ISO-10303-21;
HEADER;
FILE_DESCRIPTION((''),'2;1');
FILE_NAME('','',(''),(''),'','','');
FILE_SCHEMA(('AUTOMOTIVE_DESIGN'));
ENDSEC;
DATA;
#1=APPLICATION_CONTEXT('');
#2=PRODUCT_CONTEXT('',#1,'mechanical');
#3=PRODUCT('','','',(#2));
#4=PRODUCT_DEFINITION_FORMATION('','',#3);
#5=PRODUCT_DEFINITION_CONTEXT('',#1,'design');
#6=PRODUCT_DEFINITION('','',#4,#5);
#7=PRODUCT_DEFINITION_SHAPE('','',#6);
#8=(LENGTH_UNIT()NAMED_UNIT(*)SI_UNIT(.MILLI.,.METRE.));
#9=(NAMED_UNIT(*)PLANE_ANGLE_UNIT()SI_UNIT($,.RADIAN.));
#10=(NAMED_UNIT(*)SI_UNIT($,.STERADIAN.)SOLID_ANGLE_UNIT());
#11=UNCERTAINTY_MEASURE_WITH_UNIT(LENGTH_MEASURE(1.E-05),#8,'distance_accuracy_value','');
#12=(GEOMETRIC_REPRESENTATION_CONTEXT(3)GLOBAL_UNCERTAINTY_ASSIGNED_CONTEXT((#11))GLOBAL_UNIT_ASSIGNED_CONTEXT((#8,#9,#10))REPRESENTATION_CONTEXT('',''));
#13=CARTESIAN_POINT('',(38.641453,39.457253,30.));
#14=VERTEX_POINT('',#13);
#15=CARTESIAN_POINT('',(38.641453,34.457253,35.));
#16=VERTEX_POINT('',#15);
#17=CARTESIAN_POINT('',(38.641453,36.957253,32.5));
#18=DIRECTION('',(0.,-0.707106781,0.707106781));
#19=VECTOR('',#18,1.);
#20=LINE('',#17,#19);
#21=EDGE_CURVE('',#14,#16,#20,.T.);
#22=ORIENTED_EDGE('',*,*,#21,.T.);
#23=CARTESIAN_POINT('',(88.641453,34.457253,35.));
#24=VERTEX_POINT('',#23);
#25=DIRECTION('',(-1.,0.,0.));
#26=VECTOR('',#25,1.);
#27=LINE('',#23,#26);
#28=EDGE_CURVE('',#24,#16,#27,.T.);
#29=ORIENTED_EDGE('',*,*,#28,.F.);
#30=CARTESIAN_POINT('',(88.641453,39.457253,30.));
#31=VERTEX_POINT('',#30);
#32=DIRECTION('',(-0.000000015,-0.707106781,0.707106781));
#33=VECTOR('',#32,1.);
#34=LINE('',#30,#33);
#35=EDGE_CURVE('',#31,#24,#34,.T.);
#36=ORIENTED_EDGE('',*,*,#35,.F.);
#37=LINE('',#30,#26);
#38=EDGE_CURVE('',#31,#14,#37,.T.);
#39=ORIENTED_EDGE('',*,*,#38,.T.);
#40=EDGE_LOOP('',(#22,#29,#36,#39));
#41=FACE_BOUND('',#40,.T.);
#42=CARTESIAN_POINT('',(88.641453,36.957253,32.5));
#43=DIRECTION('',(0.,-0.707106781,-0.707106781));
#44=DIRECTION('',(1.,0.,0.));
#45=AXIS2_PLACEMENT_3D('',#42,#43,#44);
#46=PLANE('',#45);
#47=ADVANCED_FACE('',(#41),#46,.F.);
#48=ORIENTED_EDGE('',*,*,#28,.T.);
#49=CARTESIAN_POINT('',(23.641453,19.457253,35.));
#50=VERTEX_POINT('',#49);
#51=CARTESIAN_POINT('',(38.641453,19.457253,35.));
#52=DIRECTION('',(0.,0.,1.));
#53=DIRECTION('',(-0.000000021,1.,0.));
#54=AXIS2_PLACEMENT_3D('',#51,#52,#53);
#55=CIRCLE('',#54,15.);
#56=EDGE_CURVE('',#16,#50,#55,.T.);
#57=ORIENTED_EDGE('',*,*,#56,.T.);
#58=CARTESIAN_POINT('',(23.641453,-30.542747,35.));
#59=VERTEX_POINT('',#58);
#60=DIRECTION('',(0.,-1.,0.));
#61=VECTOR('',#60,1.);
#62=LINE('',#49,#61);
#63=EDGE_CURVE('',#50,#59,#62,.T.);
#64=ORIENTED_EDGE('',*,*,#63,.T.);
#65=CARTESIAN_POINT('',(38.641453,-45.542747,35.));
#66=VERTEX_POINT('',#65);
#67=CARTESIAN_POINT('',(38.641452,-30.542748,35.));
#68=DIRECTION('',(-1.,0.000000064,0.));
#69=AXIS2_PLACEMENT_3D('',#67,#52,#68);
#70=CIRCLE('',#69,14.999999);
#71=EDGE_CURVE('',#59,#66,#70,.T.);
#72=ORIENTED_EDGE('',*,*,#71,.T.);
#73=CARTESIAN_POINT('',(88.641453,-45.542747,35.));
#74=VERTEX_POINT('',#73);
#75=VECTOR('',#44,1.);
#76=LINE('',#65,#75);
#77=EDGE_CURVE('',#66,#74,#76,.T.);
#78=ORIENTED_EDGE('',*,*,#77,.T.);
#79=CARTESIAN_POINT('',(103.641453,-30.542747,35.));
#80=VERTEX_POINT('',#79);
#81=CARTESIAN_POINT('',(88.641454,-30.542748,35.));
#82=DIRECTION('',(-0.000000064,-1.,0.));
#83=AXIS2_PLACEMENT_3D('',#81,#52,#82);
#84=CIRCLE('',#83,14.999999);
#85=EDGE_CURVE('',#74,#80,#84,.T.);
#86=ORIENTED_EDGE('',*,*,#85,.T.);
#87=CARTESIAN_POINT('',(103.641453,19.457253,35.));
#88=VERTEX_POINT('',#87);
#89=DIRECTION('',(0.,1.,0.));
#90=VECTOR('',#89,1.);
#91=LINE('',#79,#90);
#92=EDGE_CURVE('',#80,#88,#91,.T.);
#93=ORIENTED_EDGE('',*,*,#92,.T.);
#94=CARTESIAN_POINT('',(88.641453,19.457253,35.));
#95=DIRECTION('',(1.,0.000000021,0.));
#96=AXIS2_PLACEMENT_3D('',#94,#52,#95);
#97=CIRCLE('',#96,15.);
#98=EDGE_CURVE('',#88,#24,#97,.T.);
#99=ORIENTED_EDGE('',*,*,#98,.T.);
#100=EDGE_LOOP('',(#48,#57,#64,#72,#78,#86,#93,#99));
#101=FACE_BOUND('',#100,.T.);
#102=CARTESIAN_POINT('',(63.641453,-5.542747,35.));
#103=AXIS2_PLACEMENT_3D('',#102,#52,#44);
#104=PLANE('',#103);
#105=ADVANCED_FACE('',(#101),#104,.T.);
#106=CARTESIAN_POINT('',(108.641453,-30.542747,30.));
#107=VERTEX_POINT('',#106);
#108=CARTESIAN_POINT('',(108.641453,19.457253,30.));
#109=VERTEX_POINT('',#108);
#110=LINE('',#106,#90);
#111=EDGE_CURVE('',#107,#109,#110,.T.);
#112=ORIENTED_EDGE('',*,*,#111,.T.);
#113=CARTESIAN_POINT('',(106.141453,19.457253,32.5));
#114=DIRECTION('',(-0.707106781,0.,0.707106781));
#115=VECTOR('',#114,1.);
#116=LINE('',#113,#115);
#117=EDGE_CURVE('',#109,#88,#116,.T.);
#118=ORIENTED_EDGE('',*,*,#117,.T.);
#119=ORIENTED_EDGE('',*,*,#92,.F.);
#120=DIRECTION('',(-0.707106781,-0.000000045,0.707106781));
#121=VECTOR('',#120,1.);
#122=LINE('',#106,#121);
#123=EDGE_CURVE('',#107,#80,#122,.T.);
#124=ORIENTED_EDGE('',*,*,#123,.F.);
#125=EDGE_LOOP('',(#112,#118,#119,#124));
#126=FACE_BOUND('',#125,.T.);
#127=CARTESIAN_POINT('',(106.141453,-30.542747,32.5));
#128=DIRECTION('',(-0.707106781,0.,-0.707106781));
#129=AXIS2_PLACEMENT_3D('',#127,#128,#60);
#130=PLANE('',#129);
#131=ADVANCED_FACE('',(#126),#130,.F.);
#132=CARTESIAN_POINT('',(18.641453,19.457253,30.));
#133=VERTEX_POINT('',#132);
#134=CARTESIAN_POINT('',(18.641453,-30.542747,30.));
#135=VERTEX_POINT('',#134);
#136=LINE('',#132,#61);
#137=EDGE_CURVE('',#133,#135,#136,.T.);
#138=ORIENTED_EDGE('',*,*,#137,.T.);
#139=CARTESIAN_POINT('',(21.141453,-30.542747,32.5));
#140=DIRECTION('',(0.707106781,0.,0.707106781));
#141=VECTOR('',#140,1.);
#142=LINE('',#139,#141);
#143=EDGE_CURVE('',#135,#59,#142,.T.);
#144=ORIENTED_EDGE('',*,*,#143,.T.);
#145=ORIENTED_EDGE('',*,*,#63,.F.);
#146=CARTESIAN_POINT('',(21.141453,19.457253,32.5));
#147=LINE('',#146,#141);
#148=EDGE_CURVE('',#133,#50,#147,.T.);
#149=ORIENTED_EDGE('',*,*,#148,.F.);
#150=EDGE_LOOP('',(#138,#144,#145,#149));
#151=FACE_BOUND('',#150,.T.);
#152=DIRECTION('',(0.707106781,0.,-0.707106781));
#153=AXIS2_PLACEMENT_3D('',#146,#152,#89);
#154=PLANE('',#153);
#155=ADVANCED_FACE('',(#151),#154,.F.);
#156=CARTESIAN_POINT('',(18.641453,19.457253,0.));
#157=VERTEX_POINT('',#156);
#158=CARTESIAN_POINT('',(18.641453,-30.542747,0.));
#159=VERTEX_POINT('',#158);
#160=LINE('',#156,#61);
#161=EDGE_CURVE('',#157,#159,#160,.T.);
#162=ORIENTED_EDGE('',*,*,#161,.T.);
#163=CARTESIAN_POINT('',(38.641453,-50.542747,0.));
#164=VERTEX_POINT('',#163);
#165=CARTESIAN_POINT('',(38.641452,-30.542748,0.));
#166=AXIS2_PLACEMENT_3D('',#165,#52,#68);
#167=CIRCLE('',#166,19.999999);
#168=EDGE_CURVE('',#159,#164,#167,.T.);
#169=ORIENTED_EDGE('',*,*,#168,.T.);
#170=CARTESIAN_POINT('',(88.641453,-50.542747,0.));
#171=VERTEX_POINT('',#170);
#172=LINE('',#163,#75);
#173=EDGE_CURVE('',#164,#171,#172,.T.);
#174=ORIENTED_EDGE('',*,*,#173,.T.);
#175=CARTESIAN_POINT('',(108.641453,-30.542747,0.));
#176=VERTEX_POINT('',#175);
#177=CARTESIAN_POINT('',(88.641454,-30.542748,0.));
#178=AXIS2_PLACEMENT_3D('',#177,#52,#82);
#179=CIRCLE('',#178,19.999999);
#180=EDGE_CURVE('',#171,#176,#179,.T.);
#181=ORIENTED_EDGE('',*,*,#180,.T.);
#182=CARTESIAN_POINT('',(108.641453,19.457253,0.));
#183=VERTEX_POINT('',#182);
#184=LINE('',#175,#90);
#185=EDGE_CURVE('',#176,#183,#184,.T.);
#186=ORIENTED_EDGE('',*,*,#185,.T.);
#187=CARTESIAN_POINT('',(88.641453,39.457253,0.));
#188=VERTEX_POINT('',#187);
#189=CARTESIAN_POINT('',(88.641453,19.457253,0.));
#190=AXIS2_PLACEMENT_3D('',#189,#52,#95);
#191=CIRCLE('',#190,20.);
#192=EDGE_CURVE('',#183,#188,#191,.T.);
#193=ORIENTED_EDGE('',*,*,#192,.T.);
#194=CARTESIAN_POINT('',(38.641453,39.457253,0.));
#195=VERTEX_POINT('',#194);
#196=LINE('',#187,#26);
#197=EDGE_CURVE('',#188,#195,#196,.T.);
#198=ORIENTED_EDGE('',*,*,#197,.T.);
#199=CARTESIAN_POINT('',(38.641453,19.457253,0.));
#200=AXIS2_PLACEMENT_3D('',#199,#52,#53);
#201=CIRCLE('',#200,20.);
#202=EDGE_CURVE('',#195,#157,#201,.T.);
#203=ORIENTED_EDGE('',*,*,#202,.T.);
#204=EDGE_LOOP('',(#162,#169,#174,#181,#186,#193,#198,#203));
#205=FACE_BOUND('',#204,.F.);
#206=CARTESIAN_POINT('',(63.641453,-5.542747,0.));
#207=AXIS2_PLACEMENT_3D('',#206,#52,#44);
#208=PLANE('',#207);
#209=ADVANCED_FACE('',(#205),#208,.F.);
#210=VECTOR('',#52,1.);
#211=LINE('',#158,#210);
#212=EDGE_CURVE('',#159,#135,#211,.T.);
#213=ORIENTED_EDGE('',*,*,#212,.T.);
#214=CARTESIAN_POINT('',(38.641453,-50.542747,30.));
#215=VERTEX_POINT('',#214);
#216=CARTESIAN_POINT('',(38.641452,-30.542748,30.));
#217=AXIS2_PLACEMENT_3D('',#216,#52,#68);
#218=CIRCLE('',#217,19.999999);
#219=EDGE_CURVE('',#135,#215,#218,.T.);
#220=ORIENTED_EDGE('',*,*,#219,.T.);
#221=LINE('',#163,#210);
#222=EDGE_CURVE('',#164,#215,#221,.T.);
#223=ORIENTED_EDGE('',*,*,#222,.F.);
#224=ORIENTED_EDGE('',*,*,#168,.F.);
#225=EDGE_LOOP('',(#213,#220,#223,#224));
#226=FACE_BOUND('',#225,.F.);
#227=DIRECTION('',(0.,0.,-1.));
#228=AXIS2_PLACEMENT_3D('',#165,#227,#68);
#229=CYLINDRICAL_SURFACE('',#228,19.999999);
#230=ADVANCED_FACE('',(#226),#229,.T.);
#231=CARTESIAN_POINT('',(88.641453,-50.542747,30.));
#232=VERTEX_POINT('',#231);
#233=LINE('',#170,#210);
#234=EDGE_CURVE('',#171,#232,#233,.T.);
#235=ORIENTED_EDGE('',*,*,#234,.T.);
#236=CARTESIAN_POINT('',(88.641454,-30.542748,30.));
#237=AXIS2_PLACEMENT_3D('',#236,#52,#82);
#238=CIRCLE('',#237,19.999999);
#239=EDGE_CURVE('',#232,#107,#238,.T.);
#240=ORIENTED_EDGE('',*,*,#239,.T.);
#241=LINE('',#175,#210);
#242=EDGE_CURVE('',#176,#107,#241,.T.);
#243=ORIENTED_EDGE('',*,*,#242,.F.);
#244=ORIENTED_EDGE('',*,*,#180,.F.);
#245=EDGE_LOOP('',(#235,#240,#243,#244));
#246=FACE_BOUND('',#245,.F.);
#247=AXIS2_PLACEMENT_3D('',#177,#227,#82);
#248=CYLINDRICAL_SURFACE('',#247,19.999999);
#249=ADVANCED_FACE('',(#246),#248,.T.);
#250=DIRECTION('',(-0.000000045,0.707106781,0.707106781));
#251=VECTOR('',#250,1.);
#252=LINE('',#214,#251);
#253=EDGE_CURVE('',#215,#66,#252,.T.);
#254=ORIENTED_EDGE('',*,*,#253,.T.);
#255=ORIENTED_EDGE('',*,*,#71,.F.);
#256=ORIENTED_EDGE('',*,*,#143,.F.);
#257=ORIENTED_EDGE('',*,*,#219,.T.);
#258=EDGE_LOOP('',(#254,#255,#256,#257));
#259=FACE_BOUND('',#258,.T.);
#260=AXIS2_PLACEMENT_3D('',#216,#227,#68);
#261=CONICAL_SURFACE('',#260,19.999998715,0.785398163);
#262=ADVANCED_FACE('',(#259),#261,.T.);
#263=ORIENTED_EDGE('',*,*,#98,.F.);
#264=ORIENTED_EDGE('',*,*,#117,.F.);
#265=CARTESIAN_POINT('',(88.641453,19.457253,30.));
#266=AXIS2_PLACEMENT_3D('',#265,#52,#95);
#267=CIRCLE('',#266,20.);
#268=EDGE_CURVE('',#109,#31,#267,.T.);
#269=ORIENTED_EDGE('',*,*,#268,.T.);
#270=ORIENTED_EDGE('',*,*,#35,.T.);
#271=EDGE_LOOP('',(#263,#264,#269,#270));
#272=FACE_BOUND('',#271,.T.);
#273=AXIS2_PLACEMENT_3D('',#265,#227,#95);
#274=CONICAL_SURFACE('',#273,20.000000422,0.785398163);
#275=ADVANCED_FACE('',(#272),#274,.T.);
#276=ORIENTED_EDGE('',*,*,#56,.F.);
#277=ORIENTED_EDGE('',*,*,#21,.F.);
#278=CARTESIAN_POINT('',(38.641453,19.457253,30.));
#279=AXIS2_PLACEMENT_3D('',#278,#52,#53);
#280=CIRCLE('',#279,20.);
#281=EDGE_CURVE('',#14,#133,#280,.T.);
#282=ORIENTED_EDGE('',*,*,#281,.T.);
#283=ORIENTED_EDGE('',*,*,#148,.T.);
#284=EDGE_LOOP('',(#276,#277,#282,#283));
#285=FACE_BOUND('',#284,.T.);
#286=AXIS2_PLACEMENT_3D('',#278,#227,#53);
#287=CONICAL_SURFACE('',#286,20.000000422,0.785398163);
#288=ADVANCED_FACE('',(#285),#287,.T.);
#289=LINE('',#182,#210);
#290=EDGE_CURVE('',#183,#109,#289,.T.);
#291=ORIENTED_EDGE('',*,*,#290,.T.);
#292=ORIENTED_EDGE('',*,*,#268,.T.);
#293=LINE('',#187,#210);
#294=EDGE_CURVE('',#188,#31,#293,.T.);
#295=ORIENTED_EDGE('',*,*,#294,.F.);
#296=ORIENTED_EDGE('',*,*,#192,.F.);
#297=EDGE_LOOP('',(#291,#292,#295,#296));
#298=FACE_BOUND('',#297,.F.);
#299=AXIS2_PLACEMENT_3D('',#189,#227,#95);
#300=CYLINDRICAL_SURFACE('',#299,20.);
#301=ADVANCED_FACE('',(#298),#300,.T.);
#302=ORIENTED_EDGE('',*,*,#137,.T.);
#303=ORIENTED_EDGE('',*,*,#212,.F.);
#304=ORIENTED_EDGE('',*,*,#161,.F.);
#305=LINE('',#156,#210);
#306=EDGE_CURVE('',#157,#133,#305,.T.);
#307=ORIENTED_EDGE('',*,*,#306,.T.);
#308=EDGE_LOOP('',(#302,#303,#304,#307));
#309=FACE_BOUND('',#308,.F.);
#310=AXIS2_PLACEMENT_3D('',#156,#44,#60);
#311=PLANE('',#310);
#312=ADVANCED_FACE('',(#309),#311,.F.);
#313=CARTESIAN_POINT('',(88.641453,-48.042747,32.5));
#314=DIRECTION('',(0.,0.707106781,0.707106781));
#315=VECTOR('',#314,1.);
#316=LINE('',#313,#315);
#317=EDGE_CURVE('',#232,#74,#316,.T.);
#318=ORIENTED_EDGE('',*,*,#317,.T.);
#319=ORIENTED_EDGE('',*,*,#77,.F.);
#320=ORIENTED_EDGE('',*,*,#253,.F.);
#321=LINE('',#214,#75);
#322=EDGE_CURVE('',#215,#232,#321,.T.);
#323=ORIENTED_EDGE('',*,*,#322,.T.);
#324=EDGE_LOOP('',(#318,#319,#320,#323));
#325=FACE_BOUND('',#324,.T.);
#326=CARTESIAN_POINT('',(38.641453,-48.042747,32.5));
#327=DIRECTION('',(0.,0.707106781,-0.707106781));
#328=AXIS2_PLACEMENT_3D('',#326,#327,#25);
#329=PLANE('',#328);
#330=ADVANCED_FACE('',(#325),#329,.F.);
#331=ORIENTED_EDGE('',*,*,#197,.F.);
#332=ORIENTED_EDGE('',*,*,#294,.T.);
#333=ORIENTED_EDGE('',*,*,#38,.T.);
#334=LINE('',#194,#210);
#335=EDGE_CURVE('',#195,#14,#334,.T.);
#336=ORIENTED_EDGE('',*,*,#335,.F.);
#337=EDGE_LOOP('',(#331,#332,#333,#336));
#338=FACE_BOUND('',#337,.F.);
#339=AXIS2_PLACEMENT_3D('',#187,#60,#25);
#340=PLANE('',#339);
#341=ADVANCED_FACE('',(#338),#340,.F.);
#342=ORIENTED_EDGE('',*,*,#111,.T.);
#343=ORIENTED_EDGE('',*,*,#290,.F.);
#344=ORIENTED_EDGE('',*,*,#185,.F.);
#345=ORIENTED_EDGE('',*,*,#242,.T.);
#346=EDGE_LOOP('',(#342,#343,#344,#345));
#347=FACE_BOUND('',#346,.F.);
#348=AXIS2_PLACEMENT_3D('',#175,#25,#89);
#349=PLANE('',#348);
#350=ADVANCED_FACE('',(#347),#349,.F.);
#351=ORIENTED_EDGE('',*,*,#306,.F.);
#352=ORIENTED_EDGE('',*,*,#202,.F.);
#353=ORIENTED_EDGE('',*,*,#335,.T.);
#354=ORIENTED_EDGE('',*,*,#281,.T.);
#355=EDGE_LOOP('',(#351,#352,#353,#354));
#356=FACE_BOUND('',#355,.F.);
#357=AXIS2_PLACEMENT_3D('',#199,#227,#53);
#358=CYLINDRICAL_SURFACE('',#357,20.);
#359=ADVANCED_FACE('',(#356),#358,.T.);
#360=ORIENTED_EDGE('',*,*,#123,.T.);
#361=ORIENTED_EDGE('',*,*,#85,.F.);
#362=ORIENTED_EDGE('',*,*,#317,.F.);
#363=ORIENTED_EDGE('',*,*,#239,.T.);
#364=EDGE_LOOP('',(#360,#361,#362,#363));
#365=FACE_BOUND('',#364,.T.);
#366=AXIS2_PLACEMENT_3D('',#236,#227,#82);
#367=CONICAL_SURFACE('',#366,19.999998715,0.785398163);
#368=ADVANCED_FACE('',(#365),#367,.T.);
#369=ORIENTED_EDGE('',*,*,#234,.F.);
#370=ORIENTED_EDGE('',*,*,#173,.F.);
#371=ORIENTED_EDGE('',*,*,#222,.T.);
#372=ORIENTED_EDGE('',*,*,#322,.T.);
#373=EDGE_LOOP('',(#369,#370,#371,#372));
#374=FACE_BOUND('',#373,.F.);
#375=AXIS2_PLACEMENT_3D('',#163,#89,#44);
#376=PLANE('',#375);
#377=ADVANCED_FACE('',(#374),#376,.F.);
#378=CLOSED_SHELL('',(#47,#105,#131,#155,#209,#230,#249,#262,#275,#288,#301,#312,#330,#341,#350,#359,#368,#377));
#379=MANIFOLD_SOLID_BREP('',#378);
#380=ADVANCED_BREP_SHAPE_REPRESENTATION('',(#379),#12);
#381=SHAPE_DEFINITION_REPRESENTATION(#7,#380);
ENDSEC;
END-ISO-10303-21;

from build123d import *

# Parameters (mm, degrees)
F1_DEPTH = 35
F2_SIZE  = 5


with BuildPart() as f1:
    # F0 (on Top) → F1 (new body)
    with BuildSketch(Plane.XY):
        with BuildLine():
            Line((88.641453, 39.457253), (38.641453, 39.457253))
            ThreePointArc((38.641453, 39.457253), (24.499317, 33.599388), (18.641453, 19.457253))
            Line((18.641453, 19.457253), (18.641453, -30.542747))
            ThreePointArc((18.641453, -30.542747), (24.499317, -44.684883), (38.641453, -50.542747))
            Line((38.641453, -50.542747), (88.641453, -50.542747))
            ThreePointArc((88.641453, -50.542747), (102.783589, -44.684883), (108.641453, -30.542747))
            Line((108.641453, -30.542747), (108.641453, 19.457253))
            ThreePointArc((108.641453, 19.457253), (102.783589, 33.599388), (88.641453, 39.457253))
        make_face()
    extrude(amount=F1_DEPTH)

    # F2
    f2_edges = [f1.edges().sort_by_distance(p)[0] for p in [
        (18.641453, -5.542747, 35),
    ]]
    chamfer(f2_edges, length=F2_SIZE)


solid = f1.part
